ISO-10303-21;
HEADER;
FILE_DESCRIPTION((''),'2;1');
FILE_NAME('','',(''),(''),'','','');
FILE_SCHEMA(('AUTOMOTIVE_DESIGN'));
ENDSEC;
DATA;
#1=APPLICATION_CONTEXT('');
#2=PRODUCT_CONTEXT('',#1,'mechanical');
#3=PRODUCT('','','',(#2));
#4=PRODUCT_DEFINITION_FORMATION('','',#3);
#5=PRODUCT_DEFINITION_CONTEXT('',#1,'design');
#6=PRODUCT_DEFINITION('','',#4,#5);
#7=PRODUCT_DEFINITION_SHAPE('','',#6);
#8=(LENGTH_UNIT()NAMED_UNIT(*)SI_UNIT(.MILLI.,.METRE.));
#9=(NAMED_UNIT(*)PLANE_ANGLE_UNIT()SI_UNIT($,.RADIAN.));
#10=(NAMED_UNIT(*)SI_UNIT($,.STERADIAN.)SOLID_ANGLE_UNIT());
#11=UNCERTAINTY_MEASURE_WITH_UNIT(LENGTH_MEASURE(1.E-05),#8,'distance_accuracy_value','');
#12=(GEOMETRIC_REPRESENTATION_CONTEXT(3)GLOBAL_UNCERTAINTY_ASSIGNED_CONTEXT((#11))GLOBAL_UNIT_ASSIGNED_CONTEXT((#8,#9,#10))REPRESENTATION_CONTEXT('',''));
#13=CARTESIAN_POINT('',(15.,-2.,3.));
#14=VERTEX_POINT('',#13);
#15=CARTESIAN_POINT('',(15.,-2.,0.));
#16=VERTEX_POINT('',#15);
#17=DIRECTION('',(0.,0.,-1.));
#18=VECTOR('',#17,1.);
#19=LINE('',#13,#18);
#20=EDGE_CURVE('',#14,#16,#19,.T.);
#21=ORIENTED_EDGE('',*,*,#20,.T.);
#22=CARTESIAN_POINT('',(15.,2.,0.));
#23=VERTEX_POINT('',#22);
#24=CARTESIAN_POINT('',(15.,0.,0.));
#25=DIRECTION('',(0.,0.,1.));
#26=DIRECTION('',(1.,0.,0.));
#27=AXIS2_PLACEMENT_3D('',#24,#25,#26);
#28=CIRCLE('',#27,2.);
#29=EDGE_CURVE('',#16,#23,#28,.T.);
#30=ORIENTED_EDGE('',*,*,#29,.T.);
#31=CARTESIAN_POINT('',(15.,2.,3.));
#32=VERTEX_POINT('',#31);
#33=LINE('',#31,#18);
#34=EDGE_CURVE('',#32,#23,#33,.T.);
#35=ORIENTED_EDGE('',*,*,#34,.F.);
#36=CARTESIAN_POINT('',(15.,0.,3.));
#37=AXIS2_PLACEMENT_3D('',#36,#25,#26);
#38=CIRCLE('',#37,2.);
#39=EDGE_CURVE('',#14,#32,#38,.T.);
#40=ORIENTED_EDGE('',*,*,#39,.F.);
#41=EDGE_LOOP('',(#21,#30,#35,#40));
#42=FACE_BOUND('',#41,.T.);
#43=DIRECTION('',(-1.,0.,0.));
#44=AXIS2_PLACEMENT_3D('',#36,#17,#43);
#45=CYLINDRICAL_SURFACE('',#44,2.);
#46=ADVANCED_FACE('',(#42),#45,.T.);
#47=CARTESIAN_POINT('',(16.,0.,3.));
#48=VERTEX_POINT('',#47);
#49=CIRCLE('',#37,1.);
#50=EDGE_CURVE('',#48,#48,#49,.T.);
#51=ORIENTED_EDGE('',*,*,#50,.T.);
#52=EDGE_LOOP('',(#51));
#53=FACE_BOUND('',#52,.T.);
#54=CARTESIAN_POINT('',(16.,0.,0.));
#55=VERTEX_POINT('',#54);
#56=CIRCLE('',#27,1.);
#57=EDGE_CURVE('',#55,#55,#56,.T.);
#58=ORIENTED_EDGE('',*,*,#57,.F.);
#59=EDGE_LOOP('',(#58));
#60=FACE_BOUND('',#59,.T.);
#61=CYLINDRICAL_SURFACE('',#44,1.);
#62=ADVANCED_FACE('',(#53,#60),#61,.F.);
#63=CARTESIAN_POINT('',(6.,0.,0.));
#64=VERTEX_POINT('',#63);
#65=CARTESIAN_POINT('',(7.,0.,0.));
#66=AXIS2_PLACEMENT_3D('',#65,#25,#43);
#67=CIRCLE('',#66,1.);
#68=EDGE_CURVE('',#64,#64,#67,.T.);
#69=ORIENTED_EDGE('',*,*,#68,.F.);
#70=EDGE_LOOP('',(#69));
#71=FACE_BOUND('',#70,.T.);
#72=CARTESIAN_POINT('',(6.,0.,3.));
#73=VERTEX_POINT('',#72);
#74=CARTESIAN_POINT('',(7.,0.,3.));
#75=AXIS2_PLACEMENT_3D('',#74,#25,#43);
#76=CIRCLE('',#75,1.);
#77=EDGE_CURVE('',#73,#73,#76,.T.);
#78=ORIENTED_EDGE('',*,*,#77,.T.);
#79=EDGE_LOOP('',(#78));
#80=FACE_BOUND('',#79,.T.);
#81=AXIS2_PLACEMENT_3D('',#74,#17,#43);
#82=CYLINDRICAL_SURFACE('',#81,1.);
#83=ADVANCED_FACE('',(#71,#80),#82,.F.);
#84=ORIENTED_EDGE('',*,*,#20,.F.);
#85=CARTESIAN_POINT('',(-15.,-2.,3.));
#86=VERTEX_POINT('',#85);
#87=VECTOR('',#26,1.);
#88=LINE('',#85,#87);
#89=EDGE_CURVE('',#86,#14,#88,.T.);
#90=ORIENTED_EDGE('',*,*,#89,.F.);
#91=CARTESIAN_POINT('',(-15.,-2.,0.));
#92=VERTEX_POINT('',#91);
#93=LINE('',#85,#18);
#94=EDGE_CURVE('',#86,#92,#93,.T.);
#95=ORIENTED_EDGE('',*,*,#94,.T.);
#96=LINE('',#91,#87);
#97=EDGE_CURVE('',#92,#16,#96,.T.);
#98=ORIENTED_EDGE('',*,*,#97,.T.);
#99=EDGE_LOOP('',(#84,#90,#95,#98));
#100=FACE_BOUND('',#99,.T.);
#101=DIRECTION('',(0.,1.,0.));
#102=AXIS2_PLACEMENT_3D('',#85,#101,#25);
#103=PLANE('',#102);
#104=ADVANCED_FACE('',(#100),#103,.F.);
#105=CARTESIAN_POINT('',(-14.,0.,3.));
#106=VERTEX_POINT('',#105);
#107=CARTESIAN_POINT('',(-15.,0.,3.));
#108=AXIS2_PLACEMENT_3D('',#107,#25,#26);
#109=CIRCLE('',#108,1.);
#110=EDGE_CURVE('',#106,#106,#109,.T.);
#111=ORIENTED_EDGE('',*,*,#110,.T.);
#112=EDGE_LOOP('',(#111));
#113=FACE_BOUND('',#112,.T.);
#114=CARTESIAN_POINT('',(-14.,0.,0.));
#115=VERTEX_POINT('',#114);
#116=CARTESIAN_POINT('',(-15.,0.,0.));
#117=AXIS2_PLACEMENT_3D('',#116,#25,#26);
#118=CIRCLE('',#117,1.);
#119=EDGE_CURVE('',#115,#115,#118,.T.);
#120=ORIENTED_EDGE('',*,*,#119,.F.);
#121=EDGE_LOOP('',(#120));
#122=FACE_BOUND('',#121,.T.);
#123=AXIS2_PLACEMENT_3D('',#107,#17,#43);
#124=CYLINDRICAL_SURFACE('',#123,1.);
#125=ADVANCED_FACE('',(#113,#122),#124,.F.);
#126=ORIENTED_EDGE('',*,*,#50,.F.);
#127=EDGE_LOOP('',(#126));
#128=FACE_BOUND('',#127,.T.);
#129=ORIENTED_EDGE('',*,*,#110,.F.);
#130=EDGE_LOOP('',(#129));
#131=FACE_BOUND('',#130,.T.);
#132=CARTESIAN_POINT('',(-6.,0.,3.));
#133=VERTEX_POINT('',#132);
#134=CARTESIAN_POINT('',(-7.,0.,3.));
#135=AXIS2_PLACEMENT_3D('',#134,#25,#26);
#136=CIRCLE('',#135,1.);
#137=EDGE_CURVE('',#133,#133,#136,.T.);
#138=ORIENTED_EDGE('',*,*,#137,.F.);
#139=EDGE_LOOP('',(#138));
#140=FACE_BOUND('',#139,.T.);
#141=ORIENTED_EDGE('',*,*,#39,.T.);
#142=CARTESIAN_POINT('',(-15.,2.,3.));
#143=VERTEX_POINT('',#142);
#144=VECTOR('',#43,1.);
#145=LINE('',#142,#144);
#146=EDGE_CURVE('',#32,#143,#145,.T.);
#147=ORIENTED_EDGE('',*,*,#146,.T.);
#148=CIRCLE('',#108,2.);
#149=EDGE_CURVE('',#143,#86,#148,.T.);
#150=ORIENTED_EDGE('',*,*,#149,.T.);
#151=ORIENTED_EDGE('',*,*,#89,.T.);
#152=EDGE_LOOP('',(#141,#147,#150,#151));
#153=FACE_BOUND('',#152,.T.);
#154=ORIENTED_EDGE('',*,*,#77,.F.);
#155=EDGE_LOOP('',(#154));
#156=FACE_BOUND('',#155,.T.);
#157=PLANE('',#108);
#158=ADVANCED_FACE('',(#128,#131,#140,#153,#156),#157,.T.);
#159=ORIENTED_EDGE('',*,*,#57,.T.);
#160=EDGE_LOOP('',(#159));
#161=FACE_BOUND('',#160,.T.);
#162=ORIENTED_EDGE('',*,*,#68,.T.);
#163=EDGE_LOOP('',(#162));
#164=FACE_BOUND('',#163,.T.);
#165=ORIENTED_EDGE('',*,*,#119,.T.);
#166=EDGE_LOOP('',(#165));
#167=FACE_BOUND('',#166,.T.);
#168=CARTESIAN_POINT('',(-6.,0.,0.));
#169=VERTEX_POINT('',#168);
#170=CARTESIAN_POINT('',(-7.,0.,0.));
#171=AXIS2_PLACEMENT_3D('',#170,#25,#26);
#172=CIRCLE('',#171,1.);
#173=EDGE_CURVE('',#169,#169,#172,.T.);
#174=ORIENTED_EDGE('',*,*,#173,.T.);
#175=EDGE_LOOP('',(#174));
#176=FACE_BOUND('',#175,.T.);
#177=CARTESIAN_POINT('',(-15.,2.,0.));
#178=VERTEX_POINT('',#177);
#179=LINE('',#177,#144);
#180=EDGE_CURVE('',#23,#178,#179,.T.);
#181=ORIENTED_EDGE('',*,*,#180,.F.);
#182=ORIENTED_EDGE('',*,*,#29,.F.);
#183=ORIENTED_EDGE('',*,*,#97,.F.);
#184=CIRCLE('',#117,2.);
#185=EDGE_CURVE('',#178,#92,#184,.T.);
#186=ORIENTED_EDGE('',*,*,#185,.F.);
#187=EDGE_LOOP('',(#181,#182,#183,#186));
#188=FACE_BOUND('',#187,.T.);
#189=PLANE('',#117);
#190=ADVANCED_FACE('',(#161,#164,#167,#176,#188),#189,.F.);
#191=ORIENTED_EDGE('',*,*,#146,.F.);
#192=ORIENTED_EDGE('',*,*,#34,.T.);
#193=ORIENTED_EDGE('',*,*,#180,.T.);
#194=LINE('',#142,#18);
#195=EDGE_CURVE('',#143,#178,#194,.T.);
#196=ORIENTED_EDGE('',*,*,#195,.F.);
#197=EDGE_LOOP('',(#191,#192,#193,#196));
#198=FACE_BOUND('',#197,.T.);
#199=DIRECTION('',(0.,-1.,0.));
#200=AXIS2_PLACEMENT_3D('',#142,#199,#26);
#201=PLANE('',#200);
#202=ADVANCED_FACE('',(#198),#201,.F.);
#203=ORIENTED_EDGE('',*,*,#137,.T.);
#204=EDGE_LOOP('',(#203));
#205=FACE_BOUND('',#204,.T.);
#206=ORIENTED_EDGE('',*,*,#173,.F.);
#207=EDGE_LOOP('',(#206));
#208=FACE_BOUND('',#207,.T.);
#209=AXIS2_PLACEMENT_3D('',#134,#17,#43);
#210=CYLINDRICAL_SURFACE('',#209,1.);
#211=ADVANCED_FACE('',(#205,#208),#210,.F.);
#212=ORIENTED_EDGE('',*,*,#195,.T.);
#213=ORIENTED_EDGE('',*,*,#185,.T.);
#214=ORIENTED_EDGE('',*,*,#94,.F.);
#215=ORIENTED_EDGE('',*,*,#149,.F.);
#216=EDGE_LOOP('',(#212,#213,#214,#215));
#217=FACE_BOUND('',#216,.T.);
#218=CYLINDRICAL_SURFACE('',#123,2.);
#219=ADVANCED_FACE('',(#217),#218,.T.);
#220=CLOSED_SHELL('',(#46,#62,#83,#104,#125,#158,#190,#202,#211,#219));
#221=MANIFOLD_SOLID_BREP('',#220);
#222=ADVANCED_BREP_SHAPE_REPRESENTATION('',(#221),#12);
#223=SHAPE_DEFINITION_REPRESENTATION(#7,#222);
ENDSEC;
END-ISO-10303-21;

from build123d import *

# Parameters (mm, degrees)
SKETCH1_R           = 1
BOSS_EXTRUDE1_DEPTH = 3


with BuildPart() as part:
    # Sketch1 → Boss-Extrude1 (new body)
    with BuildSketch(Plane.XY):
        with BuildLine():
            Line((-15, 2), (15, 2))
            ThreePointArc((15, 2), (17, 0), (15, -2))
            Line((15, -2), (-15, -2))
            ThreePointArc((-15, -2), (-17, 0), (-15, 2))
        make_face()
        with Locations((15, 0)):
            Circle(SKETCH1_R, mode=Mode.SUBTRACT)
        with Locations((-15, 0)):
            Circle(SKETCH1_R, mode=Mode.SUBTRACT)
        with Locations((-7, 0)):
            Circle(SKETCH1_R, mode=Mode.SUBTRACT)
        with Locations(Location((7, 0, 0), (0, 0, 180))):
            Circle(SKETCH1_R, mode=Mode.SUBTRACT)
    extrude(amount=BOSS_EXTRUDE1_DEPTH)


solid = part.part
